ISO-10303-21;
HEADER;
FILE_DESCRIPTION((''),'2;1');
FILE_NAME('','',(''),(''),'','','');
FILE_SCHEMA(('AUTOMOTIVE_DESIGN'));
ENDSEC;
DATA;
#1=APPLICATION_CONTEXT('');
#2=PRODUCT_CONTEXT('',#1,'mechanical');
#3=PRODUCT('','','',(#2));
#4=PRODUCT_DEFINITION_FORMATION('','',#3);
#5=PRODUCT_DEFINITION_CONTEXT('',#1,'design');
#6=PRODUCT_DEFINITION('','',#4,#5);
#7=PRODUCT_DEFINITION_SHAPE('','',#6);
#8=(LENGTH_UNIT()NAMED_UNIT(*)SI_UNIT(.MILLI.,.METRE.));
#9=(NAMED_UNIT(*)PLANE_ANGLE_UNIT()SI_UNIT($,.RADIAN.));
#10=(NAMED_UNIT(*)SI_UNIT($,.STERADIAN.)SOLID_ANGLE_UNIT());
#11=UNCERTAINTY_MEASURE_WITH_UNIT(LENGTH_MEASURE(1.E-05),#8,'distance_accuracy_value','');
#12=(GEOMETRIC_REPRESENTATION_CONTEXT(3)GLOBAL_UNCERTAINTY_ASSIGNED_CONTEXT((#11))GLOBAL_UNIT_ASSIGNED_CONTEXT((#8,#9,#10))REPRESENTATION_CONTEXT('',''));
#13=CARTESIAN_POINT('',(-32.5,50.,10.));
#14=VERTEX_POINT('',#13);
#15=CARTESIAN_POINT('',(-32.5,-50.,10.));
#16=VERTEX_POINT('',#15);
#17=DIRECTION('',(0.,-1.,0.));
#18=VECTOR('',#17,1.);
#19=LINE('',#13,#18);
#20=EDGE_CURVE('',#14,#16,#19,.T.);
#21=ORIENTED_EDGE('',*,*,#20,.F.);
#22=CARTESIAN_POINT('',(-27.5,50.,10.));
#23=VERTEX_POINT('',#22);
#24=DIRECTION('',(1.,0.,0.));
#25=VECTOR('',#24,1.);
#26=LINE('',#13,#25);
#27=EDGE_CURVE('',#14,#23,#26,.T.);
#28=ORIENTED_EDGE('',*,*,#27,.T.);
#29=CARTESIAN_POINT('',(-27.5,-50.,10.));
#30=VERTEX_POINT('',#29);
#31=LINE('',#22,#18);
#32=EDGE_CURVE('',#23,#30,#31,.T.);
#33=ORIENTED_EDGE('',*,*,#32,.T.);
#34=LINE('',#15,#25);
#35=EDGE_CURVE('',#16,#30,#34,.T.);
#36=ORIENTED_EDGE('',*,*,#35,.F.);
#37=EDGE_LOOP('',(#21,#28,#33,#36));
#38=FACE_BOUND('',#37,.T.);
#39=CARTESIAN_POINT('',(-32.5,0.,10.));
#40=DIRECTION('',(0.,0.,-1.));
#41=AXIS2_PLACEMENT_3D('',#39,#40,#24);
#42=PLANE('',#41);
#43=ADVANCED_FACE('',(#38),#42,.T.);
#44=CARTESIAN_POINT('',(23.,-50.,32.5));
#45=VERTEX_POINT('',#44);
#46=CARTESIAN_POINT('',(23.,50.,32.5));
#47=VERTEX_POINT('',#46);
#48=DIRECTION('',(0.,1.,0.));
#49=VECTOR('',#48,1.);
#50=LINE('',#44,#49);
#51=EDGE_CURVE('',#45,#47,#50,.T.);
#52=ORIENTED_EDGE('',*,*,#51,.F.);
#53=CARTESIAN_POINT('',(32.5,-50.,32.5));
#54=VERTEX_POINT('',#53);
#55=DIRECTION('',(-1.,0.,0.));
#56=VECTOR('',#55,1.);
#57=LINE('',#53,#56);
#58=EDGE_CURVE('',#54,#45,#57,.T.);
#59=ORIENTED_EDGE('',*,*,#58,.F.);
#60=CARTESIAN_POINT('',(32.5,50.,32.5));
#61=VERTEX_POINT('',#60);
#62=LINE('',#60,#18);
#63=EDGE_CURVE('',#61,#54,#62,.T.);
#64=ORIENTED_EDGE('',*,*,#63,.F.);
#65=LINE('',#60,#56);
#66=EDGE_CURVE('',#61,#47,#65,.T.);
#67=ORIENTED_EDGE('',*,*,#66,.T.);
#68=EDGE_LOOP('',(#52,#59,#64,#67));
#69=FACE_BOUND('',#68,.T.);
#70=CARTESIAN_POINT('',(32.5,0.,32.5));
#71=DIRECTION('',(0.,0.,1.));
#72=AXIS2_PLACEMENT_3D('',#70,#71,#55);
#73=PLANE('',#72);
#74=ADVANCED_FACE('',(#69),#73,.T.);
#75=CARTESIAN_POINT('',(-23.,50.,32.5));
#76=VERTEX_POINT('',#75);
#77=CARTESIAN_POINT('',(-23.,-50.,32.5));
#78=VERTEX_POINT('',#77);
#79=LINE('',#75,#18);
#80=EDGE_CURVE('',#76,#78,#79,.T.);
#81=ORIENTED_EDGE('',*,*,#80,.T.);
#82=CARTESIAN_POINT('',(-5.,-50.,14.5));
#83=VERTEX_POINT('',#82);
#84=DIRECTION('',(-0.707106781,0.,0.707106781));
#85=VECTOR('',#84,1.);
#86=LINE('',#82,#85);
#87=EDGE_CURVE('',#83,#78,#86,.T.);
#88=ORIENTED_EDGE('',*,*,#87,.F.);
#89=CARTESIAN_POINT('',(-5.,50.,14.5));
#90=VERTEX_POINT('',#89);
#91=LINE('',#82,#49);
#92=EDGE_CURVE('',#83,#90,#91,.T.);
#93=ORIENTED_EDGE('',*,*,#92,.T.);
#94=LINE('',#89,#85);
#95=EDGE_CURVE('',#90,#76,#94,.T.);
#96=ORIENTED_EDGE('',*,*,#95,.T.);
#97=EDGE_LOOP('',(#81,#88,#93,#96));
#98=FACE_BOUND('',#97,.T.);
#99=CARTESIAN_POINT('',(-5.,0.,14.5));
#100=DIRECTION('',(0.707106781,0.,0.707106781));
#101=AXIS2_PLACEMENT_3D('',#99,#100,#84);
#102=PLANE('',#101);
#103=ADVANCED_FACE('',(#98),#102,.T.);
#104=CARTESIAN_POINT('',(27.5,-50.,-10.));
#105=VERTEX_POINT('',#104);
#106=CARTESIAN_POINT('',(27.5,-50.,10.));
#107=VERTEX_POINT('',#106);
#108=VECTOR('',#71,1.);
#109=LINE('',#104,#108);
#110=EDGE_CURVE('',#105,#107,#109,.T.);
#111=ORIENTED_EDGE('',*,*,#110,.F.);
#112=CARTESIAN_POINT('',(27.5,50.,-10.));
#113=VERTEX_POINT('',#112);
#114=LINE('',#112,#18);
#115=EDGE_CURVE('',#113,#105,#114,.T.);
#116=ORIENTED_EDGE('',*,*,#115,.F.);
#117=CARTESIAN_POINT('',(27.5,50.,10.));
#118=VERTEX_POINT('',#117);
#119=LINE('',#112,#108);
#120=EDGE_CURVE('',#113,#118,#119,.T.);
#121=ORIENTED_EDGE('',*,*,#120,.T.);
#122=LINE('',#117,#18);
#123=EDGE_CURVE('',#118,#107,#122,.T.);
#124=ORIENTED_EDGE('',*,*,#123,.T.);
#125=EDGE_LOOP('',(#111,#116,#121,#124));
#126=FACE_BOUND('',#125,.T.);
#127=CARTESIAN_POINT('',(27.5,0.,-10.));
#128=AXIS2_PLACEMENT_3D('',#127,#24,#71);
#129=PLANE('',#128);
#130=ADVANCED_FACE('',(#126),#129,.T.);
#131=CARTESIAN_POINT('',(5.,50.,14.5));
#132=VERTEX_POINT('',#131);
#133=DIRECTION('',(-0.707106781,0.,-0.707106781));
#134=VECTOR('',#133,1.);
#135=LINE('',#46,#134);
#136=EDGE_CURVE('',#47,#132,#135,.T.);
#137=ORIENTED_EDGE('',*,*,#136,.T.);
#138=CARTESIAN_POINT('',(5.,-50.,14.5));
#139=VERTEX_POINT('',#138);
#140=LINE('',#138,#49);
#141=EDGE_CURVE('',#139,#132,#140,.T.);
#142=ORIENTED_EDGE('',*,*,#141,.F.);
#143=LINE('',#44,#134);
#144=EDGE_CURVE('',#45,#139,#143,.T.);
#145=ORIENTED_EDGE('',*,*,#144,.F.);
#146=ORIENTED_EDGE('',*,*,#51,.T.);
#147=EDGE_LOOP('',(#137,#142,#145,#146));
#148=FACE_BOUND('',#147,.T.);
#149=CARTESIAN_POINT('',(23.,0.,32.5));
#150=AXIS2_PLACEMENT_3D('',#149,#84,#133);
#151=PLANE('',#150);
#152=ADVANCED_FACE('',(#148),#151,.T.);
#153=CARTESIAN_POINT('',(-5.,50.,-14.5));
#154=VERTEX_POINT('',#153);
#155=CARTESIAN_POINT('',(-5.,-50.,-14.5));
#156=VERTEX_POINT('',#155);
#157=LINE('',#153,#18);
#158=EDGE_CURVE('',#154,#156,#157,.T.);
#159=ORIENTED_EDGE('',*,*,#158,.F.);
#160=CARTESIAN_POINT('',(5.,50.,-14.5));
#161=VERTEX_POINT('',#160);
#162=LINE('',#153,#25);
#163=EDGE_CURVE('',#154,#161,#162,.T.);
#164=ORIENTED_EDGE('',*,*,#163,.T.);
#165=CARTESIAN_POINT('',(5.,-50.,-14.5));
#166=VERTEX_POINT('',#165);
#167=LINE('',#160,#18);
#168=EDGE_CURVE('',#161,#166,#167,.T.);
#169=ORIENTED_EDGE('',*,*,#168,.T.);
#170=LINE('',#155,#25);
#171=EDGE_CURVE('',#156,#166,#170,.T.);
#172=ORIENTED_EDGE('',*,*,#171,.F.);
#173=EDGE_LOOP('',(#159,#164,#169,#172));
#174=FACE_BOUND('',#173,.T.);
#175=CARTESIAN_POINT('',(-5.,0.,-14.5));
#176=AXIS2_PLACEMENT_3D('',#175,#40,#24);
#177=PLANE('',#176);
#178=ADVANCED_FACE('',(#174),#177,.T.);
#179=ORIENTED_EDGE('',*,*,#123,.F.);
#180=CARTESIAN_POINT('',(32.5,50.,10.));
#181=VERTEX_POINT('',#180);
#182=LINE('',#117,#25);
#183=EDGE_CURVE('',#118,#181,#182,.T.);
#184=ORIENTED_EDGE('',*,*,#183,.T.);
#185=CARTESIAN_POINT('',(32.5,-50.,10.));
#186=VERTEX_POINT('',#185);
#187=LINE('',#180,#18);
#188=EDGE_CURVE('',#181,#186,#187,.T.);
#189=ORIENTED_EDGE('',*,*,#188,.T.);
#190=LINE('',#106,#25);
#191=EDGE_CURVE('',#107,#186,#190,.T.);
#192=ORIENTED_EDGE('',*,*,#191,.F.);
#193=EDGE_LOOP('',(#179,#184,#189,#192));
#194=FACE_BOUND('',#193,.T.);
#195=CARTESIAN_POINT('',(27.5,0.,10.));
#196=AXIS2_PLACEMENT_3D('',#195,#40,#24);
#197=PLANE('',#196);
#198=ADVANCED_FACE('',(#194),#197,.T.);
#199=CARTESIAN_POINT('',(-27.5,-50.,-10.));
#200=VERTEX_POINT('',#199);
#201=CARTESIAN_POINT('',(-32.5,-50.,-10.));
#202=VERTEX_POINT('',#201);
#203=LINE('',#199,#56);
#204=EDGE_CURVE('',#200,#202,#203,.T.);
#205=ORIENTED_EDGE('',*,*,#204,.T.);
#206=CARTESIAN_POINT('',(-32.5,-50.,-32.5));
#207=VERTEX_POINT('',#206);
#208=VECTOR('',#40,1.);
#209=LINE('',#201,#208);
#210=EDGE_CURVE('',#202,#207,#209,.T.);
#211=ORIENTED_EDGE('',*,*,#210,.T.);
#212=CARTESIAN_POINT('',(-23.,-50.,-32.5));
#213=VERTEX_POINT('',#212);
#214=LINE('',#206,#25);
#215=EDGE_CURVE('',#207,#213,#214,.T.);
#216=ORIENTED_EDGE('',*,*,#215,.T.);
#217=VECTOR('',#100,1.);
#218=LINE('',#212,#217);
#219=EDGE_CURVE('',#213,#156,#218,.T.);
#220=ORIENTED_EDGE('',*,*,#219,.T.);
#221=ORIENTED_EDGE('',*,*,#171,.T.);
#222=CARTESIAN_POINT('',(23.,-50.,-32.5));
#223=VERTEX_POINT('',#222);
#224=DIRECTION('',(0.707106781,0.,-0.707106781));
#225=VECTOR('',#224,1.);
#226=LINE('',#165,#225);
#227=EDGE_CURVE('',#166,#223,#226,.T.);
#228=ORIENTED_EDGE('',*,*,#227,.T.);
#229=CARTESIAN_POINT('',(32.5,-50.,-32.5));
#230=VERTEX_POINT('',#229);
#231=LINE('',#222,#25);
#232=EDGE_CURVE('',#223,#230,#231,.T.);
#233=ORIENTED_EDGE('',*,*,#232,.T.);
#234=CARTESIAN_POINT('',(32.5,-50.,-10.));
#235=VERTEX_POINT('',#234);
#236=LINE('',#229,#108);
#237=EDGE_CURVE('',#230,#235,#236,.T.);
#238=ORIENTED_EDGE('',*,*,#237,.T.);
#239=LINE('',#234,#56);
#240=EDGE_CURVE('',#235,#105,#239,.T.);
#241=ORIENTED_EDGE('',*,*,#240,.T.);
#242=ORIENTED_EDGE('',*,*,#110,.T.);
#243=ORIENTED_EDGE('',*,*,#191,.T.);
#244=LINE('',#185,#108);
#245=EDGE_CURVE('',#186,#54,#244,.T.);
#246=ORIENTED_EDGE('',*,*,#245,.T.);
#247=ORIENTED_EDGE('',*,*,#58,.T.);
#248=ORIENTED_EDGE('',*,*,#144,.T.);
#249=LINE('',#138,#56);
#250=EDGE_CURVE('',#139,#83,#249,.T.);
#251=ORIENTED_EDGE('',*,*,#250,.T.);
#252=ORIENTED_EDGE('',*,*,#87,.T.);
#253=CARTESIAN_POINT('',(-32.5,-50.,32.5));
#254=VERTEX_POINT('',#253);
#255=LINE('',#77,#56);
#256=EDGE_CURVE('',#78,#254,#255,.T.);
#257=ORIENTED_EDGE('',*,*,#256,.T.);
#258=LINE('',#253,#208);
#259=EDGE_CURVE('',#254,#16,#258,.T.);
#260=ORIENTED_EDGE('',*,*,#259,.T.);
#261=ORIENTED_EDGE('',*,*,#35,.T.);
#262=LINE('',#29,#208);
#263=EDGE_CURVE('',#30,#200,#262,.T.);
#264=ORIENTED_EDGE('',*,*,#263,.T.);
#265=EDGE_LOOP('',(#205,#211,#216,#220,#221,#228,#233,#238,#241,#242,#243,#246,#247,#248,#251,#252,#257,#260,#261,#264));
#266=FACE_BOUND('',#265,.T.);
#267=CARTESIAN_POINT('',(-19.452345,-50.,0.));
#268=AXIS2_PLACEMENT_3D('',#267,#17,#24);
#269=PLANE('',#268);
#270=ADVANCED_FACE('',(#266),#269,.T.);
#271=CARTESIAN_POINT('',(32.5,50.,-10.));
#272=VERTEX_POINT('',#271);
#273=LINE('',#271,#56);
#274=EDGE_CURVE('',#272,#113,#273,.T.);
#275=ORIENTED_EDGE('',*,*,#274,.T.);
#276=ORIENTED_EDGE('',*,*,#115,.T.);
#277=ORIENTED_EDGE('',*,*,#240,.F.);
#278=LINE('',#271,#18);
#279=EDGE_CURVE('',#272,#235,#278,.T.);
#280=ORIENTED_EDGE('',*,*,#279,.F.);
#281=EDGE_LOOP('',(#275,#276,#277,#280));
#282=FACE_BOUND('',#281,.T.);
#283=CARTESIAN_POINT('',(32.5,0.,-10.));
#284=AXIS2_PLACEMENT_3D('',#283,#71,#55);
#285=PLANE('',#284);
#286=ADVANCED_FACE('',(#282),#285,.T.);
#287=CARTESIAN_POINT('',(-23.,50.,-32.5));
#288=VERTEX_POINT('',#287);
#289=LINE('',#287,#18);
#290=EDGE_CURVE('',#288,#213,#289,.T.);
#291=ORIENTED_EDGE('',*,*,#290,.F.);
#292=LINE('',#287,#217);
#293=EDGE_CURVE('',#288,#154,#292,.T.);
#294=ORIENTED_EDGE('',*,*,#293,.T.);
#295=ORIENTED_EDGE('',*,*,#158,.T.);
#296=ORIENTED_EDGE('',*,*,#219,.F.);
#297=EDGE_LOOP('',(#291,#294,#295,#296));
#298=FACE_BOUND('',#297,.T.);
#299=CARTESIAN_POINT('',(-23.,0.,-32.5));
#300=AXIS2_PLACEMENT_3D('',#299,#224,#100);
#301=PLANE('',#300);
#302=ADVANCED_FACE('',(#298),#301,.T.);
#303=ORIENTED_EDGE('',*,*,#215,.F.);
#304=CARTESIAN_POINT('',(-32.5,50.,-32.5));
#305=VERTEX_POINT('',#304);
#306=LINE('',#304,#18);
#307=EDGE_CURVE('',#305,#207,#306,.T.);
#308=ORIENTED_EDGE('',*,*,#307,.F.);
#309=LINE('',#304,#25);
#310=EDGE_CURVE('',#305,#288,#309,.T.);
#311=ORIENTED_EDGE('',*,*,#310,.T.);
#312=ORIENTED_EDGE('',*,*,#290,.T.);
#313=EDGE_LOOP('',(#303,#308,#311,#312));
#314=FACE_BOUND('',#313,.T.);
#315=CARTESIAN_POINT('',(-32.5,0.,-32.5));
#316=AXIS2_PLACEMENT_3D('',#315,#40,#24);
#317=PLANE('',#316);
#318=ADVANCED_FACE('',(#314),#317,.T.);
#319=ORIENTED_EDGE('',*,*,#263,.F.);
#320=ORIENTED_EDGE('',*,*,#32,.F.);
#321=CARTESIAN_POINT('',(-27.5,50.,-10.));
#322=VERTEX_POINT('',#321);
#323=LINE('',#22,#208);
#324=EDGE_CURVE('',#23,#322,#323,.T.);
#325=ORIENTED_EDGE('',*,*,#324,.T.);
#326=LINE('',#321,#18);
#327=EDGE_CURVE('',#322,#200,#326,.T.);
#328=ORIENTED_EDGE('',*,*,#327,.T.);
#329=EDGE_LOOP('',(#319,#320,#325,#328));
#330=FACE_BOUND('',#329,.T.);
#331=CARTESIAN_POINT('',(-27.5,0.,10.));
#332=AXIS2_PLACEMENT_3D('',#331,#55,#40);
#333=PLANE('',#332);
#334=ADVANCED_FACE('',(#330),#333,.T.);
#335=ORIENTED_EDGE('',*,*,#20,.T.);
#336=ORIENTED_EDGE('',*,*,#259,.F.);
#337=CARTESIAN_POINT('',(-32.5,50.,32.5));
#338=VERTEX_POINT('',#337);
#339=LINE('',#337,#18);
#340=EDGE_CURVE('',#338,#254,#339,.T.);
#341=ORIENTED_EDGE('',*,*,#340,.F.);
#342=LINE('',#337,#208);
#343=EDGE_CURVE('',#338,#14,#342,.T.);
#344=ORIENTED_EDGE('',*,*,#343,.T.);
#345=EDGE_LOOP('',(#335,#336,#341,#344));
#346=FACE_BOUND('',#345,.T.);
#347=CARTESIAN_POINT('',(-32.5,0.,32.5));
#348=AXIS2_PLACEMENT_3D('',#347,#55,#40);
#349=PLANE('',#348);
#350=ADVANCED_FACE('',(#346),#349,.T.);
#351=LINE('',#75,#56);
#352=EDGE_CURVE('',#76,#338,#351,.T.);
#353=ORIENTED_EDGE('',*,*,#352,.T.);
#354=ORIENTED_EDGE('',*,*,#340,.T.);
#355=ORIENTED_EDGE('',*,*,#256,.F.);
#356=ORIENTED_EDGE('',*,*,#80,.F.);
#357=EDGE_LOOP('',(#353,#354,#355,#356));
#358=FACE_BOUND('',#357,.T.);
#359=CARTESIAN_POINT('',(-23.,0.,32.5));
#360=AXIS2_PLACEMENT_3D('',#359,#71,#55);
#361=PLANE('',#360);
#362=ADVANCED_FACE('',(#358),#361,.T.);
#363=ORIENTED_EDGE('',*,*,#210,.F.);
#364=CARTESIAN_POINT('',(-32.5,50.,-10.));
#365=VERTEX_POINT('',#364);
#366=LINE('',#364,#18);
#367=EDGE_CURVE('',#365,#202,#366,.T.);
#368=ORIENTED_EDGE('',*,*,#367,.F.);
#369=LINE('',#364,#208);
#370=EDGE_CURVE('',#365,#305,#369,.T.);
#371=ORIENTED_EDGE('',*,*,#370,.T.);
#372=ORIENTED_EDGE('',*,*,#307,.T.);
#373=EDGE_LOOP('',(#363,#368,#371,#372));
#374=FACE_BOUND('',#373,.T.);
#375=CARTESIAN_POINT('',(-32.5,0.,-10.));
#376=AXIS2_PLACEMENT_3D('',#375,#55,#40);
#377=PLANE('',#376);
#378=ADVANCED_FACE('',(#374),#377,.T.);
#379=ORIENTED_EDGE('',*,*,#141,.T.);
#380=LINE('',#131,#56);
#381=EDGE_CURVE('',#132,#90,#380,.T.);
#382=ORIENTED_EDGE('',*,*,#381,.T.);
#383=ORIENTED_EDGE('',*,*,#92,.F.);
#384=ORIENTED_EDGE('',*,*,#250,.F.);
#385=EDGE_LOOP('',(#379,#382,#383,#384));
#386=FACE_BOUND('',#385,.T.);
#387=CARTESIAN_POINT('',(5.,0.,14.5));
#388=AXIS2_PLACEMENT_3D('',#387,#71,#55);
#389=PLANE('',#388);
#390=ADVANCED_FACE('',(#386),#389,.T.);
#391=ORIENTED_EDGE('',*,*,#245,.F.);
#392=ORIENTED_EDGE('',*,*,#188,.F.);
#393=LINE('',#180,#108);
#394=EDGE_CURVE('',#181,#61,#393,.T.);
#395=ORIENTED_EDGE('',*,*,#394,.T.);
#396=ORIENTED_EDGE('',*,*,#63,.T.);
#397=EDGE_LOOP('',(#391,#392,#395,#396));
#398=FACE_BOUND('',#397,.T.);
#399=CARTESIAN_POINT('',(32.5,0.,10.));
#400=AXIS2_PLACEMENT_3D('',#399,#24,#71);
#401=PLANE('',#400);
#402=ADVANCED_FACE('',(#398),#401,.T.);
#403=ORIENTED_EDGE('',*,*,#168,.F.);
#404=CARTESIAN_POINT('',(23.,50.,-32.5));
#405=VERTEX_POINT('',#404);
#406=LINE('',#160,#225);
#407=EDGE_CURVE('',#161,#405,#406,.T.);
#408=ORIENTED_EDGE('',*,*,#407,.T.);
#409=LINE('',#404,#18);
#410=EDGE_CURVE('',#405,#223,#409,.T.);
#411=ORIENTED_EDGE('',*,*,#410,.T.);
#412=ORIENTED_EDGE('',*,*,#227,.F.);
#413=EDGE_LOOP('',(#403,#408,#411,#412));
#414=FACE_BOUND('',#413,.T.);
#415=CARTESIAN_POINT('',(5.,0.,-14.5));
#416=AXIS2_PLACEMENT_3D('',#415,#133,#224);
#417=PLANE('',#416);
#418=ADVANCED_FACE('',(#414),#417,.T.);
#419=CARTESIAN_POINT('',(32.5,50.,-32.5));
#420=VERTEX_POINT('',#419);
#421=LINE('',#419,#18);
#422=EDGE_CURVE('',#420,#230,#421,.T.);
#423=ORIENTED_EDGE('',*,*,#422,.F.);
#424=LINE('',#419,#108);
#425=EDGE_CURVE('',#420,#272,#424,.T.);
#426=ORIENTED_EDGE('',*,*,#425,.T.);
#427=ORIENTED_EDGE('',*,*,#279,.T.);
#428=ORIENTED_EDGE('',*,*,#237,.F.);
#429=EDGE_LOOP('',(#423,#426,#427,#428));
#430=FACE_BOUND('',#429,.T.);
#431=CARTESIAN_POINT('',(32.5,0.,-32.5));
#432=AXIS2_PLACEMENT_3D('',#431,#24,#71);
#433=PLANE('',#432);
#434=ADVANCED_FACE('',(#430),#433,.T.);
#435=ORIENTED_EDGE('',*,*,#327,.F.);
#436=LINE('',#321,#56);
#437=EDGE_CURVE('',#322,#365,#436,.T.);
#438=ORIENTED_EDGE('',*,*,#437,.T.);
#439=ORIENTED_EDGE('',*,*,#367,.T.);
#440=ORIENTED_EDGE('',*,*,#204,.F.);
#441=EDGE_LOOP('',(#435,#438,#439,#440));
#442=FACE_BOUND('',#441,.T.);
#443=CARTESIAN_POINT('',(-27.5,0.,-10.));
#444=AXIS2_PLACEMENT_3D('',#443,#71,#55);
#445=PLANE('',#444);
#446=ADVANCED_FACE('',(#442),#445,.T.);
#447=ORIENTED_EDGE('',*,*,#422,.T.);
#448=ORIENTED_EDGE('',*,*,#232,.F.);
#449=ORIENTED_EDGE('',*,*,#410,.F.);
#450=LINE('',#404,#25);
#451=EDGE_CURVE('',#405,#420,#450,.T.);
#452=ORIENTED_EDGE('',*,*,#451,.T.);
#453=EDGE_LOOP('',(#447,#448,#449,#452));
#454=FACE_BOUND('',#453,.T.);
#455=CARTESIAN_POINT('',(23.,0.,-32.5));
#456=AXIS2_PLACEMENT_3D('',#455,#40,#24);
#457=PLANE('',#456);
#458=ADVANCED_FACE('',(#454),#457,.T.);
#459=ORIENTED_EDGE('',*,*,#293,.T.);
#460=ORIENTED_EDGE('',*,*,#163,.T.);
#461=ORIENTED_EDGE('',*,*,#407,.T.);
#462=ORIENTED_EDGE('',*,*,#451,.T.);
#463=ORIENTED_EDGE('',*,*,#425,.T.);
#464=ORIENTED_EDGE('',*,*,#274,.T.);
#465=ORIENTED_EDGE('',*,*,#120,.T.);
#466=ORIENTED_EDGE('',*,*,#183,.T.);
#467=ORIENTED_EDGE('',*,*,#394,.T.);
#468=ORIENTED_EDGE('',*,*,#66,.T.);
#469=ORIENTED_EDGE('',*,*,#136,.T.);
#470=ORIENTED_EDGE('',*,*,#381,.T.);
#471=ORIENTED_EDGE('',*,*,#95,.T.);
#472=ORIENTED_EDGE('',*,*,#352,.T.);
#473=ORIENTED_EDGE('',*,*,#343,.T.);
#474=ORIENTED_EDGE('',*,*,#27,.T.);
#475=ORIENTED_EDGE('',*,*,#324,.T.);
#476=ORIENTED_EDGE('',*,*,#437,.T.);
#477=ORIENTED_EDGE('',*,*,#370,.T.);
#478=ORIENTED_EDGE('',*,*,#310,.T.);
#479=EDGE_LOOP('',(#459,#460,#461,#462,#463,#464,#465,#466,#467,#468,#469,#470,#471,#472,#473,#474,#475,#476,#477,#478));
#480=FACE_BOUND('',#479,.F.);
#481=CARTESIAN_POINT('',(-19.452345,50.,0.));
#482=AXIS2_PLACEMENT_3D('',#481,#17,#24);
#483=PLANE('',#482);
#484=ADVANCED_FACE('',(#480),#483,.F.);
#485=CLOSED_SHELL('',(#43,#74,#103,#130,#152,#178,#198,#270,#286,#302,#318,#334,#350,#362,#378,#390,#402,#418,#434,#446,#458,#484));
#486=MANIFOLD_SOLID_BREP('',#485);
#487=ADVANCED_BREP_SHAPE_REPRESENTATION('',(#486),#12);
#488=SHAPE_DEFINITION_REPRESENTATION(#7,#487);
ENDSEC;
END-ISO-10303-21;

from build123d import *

# Parameters (mm, degrees)
F1_DEPTH = 50


with BuildPart() as f1:
    # F0 (on Front) → F1 (new body, symmetric)
    with BuildSketch(Plane.XZ):
        Polygon((0, -14.5), (0, 14.5), (-5, 14.5), (-23, 32.5), (-32.5, 32.5), (-32.5, 10), (-27.5, 10), (-27.5, -10), (-32.5, -10), (-32.5, -32.5), (-23, -32.5), (-5, -14.5), align=None)
        Polygon((5, 14.5), (0, 14.5), (0, -14.5), (5, -14.5), (23, -32.5), (32.5, -32.5), (32.5, -10), (27.5, -10), (27.5, 10), (32.5, 10), (32.5, 32.5), (23, 32.5), align=None)
    extrude(amount=F1_DEPTH, both=True)


solid = f1.part
